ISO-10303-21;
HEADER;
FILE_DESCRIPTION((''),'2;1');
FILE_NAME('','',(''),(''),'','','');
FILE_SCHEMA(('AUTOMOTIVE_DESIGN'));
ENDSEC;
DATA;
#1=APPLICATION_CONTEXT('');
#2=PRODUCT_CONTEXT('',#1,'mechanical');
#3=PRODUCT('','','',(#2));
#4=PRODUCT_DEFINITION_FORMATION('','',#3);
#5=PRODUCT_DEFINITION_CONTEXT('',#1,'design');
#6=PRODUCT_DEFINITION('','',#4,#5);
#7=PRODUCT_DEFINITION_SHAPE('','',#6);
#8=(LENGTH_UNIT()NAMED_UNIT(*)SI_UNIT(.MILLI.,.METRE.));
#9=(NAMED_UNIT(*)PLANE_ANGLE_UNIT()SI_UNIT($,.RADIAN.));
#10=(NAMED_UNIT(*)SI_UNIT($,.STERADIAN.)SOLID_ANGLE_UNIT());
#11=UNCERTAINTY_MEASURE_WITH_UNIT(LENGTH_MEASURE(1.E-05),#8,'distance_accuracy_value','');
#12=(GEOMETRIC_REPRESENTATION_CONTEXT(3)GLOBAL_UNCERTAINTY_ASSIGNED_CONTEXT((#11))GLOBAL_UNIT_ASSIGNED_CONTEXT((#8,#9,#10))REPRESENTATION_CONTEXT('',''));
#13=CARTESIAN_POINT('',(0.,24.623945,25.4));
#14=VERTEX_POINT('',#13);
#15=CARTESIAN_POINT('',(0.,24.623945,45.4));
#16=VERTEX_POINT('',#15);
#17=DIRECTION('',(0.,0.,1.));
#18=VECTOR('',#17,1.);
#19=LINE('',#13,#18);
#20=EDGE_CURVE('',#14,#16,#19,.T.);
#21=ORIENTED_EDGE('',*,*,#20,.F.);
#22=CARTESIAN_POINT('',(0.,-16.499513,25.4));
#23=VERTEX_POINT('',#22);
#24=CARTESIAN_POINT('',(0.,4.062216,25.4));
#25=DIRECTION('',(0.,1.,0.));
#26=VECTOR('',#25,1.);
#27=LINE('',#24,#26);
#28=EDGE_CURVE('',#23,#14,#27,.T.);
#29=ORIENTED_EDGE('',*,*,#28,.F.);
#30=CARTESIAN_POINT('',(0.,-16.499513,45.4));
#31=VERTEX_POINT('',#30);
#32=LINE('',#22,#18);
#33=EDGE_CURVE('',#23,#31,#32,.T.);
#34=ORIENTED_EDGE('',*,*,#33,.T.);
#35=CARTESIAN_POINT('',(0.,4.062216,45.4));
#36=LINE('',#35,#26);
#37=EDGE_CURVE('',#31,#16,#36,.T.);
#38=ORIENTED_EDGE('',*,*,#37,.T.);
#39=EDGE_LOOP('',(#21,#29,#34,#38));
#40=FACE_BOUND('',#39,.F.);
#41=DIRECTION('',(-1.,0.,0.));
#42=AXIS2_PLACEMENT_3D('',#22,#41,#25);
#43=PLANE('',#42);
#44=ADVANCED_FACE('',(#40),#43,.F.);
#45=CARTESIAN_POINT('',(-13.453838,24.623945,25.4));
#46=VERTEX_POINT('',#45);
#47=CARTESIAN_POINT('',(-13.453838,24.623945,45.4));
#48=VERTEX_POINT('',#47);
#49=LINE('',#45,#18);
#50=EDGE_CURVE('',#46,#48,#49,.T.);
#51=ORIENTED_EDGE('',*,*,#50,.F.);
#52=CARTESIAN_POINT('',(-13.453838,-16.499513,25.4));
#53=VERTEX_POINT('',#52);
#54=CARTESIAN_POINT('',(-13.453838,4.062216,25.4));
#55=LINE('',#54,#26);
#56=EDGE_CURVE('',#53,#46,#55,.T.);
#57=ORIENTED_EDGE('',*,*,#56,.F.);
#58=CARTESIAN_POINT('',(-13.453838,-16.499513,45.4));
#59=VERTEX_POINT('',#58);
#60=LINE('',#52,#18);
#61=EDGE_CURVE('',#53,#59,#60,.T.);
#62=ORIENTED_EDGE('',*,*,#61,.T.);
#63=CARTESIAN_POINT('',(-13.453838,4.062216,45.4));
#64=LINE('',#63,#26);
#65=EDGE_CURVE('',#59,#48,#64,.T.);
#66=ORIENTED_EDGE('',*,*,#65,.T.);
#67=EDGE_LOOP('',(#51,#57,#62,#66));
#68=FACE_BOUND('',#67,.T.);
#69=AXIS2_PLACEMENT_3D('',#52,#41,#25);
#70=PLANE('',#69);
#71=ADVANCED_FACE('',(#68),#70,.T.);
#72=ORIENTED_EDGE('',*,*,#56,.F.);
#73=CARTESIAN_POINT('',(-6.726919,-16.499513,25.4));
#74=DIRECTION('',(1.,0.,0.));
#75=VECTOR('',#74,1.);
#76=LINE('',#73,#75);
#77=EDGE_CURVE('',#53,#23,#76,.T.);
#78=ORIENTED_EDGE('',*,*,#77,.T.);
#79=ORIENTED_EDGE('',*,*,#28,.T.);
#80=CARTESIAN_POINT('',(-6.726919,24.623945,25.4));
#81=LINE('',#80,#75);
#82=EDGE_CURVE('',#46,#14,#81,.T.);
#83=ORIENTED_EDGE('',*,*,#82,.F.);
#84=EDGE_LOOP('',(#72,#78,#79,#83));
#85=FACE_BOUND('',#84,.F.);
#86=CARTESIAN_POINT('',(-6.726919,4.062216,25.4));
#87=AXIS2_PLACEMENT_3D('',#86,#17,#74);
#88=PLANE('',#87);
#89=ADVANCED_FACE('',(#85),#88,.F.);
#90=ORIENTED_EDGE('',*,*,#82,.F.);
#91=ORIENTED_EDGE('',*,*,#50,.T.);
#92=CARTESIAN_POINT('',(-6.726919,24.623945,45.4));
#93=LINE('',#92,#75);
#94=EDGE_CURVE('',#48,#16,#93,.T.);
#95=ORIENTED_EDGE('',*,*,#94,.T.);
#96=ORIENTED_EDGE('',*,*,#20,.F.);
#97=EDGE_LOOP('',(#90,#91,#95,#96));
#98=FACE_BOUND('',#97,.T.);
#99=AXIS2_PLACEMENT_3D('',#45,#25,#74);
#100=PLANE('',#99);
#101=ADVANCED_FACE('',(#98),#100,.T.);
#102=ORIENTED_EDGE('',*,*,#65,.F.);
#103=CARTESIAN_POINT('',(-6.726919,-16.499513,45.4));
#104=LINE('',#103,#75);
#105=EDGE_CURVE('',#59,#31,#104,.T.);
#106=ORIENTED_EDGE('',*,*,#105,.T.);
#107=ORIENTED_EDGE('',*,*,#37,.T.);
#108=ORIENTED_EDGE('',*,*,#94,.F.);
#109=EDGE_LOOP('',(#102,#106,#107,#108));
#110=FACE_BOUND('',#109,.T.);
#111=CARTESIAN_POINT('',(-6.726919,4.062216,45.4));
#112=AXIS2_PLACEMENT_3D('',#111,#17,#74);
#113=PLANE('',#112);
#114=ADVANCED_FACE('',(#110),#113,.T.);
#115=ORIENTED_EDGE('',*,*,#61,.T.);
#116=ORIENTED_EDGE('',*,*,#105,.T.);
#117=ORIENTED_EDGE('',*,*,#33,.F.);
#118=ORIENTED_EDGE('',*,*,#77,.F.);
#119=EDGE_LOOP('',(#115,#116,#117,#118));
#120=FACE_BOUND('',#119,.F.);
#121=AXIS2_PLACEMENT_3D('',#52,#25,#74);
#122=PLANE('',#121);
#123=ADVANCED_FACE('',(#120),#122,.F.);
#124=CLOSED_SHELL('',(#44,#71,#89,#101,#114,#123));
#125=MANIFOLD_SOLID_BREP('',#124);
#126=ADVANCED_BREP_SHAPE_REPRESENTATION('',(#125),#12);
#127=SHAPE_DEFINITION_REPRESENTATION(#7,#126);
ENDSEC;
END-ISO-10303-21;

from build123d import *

# Parameters (mm, degrees)
F0_W     = 13.453837
F0_H     = 41.123457
F3_DEPTH = 20


with BuildPart() as f3:
    # F0 (on offset) → F3 (new body)
    with BuildSketch(Plane.XY.offset(25.4)):
        with Locations((-6.726919, 4.062216)):
            Rectangle(F0_W, F0_H)
    extrude(amount=F3_DEPTH)


solid = f3.part
